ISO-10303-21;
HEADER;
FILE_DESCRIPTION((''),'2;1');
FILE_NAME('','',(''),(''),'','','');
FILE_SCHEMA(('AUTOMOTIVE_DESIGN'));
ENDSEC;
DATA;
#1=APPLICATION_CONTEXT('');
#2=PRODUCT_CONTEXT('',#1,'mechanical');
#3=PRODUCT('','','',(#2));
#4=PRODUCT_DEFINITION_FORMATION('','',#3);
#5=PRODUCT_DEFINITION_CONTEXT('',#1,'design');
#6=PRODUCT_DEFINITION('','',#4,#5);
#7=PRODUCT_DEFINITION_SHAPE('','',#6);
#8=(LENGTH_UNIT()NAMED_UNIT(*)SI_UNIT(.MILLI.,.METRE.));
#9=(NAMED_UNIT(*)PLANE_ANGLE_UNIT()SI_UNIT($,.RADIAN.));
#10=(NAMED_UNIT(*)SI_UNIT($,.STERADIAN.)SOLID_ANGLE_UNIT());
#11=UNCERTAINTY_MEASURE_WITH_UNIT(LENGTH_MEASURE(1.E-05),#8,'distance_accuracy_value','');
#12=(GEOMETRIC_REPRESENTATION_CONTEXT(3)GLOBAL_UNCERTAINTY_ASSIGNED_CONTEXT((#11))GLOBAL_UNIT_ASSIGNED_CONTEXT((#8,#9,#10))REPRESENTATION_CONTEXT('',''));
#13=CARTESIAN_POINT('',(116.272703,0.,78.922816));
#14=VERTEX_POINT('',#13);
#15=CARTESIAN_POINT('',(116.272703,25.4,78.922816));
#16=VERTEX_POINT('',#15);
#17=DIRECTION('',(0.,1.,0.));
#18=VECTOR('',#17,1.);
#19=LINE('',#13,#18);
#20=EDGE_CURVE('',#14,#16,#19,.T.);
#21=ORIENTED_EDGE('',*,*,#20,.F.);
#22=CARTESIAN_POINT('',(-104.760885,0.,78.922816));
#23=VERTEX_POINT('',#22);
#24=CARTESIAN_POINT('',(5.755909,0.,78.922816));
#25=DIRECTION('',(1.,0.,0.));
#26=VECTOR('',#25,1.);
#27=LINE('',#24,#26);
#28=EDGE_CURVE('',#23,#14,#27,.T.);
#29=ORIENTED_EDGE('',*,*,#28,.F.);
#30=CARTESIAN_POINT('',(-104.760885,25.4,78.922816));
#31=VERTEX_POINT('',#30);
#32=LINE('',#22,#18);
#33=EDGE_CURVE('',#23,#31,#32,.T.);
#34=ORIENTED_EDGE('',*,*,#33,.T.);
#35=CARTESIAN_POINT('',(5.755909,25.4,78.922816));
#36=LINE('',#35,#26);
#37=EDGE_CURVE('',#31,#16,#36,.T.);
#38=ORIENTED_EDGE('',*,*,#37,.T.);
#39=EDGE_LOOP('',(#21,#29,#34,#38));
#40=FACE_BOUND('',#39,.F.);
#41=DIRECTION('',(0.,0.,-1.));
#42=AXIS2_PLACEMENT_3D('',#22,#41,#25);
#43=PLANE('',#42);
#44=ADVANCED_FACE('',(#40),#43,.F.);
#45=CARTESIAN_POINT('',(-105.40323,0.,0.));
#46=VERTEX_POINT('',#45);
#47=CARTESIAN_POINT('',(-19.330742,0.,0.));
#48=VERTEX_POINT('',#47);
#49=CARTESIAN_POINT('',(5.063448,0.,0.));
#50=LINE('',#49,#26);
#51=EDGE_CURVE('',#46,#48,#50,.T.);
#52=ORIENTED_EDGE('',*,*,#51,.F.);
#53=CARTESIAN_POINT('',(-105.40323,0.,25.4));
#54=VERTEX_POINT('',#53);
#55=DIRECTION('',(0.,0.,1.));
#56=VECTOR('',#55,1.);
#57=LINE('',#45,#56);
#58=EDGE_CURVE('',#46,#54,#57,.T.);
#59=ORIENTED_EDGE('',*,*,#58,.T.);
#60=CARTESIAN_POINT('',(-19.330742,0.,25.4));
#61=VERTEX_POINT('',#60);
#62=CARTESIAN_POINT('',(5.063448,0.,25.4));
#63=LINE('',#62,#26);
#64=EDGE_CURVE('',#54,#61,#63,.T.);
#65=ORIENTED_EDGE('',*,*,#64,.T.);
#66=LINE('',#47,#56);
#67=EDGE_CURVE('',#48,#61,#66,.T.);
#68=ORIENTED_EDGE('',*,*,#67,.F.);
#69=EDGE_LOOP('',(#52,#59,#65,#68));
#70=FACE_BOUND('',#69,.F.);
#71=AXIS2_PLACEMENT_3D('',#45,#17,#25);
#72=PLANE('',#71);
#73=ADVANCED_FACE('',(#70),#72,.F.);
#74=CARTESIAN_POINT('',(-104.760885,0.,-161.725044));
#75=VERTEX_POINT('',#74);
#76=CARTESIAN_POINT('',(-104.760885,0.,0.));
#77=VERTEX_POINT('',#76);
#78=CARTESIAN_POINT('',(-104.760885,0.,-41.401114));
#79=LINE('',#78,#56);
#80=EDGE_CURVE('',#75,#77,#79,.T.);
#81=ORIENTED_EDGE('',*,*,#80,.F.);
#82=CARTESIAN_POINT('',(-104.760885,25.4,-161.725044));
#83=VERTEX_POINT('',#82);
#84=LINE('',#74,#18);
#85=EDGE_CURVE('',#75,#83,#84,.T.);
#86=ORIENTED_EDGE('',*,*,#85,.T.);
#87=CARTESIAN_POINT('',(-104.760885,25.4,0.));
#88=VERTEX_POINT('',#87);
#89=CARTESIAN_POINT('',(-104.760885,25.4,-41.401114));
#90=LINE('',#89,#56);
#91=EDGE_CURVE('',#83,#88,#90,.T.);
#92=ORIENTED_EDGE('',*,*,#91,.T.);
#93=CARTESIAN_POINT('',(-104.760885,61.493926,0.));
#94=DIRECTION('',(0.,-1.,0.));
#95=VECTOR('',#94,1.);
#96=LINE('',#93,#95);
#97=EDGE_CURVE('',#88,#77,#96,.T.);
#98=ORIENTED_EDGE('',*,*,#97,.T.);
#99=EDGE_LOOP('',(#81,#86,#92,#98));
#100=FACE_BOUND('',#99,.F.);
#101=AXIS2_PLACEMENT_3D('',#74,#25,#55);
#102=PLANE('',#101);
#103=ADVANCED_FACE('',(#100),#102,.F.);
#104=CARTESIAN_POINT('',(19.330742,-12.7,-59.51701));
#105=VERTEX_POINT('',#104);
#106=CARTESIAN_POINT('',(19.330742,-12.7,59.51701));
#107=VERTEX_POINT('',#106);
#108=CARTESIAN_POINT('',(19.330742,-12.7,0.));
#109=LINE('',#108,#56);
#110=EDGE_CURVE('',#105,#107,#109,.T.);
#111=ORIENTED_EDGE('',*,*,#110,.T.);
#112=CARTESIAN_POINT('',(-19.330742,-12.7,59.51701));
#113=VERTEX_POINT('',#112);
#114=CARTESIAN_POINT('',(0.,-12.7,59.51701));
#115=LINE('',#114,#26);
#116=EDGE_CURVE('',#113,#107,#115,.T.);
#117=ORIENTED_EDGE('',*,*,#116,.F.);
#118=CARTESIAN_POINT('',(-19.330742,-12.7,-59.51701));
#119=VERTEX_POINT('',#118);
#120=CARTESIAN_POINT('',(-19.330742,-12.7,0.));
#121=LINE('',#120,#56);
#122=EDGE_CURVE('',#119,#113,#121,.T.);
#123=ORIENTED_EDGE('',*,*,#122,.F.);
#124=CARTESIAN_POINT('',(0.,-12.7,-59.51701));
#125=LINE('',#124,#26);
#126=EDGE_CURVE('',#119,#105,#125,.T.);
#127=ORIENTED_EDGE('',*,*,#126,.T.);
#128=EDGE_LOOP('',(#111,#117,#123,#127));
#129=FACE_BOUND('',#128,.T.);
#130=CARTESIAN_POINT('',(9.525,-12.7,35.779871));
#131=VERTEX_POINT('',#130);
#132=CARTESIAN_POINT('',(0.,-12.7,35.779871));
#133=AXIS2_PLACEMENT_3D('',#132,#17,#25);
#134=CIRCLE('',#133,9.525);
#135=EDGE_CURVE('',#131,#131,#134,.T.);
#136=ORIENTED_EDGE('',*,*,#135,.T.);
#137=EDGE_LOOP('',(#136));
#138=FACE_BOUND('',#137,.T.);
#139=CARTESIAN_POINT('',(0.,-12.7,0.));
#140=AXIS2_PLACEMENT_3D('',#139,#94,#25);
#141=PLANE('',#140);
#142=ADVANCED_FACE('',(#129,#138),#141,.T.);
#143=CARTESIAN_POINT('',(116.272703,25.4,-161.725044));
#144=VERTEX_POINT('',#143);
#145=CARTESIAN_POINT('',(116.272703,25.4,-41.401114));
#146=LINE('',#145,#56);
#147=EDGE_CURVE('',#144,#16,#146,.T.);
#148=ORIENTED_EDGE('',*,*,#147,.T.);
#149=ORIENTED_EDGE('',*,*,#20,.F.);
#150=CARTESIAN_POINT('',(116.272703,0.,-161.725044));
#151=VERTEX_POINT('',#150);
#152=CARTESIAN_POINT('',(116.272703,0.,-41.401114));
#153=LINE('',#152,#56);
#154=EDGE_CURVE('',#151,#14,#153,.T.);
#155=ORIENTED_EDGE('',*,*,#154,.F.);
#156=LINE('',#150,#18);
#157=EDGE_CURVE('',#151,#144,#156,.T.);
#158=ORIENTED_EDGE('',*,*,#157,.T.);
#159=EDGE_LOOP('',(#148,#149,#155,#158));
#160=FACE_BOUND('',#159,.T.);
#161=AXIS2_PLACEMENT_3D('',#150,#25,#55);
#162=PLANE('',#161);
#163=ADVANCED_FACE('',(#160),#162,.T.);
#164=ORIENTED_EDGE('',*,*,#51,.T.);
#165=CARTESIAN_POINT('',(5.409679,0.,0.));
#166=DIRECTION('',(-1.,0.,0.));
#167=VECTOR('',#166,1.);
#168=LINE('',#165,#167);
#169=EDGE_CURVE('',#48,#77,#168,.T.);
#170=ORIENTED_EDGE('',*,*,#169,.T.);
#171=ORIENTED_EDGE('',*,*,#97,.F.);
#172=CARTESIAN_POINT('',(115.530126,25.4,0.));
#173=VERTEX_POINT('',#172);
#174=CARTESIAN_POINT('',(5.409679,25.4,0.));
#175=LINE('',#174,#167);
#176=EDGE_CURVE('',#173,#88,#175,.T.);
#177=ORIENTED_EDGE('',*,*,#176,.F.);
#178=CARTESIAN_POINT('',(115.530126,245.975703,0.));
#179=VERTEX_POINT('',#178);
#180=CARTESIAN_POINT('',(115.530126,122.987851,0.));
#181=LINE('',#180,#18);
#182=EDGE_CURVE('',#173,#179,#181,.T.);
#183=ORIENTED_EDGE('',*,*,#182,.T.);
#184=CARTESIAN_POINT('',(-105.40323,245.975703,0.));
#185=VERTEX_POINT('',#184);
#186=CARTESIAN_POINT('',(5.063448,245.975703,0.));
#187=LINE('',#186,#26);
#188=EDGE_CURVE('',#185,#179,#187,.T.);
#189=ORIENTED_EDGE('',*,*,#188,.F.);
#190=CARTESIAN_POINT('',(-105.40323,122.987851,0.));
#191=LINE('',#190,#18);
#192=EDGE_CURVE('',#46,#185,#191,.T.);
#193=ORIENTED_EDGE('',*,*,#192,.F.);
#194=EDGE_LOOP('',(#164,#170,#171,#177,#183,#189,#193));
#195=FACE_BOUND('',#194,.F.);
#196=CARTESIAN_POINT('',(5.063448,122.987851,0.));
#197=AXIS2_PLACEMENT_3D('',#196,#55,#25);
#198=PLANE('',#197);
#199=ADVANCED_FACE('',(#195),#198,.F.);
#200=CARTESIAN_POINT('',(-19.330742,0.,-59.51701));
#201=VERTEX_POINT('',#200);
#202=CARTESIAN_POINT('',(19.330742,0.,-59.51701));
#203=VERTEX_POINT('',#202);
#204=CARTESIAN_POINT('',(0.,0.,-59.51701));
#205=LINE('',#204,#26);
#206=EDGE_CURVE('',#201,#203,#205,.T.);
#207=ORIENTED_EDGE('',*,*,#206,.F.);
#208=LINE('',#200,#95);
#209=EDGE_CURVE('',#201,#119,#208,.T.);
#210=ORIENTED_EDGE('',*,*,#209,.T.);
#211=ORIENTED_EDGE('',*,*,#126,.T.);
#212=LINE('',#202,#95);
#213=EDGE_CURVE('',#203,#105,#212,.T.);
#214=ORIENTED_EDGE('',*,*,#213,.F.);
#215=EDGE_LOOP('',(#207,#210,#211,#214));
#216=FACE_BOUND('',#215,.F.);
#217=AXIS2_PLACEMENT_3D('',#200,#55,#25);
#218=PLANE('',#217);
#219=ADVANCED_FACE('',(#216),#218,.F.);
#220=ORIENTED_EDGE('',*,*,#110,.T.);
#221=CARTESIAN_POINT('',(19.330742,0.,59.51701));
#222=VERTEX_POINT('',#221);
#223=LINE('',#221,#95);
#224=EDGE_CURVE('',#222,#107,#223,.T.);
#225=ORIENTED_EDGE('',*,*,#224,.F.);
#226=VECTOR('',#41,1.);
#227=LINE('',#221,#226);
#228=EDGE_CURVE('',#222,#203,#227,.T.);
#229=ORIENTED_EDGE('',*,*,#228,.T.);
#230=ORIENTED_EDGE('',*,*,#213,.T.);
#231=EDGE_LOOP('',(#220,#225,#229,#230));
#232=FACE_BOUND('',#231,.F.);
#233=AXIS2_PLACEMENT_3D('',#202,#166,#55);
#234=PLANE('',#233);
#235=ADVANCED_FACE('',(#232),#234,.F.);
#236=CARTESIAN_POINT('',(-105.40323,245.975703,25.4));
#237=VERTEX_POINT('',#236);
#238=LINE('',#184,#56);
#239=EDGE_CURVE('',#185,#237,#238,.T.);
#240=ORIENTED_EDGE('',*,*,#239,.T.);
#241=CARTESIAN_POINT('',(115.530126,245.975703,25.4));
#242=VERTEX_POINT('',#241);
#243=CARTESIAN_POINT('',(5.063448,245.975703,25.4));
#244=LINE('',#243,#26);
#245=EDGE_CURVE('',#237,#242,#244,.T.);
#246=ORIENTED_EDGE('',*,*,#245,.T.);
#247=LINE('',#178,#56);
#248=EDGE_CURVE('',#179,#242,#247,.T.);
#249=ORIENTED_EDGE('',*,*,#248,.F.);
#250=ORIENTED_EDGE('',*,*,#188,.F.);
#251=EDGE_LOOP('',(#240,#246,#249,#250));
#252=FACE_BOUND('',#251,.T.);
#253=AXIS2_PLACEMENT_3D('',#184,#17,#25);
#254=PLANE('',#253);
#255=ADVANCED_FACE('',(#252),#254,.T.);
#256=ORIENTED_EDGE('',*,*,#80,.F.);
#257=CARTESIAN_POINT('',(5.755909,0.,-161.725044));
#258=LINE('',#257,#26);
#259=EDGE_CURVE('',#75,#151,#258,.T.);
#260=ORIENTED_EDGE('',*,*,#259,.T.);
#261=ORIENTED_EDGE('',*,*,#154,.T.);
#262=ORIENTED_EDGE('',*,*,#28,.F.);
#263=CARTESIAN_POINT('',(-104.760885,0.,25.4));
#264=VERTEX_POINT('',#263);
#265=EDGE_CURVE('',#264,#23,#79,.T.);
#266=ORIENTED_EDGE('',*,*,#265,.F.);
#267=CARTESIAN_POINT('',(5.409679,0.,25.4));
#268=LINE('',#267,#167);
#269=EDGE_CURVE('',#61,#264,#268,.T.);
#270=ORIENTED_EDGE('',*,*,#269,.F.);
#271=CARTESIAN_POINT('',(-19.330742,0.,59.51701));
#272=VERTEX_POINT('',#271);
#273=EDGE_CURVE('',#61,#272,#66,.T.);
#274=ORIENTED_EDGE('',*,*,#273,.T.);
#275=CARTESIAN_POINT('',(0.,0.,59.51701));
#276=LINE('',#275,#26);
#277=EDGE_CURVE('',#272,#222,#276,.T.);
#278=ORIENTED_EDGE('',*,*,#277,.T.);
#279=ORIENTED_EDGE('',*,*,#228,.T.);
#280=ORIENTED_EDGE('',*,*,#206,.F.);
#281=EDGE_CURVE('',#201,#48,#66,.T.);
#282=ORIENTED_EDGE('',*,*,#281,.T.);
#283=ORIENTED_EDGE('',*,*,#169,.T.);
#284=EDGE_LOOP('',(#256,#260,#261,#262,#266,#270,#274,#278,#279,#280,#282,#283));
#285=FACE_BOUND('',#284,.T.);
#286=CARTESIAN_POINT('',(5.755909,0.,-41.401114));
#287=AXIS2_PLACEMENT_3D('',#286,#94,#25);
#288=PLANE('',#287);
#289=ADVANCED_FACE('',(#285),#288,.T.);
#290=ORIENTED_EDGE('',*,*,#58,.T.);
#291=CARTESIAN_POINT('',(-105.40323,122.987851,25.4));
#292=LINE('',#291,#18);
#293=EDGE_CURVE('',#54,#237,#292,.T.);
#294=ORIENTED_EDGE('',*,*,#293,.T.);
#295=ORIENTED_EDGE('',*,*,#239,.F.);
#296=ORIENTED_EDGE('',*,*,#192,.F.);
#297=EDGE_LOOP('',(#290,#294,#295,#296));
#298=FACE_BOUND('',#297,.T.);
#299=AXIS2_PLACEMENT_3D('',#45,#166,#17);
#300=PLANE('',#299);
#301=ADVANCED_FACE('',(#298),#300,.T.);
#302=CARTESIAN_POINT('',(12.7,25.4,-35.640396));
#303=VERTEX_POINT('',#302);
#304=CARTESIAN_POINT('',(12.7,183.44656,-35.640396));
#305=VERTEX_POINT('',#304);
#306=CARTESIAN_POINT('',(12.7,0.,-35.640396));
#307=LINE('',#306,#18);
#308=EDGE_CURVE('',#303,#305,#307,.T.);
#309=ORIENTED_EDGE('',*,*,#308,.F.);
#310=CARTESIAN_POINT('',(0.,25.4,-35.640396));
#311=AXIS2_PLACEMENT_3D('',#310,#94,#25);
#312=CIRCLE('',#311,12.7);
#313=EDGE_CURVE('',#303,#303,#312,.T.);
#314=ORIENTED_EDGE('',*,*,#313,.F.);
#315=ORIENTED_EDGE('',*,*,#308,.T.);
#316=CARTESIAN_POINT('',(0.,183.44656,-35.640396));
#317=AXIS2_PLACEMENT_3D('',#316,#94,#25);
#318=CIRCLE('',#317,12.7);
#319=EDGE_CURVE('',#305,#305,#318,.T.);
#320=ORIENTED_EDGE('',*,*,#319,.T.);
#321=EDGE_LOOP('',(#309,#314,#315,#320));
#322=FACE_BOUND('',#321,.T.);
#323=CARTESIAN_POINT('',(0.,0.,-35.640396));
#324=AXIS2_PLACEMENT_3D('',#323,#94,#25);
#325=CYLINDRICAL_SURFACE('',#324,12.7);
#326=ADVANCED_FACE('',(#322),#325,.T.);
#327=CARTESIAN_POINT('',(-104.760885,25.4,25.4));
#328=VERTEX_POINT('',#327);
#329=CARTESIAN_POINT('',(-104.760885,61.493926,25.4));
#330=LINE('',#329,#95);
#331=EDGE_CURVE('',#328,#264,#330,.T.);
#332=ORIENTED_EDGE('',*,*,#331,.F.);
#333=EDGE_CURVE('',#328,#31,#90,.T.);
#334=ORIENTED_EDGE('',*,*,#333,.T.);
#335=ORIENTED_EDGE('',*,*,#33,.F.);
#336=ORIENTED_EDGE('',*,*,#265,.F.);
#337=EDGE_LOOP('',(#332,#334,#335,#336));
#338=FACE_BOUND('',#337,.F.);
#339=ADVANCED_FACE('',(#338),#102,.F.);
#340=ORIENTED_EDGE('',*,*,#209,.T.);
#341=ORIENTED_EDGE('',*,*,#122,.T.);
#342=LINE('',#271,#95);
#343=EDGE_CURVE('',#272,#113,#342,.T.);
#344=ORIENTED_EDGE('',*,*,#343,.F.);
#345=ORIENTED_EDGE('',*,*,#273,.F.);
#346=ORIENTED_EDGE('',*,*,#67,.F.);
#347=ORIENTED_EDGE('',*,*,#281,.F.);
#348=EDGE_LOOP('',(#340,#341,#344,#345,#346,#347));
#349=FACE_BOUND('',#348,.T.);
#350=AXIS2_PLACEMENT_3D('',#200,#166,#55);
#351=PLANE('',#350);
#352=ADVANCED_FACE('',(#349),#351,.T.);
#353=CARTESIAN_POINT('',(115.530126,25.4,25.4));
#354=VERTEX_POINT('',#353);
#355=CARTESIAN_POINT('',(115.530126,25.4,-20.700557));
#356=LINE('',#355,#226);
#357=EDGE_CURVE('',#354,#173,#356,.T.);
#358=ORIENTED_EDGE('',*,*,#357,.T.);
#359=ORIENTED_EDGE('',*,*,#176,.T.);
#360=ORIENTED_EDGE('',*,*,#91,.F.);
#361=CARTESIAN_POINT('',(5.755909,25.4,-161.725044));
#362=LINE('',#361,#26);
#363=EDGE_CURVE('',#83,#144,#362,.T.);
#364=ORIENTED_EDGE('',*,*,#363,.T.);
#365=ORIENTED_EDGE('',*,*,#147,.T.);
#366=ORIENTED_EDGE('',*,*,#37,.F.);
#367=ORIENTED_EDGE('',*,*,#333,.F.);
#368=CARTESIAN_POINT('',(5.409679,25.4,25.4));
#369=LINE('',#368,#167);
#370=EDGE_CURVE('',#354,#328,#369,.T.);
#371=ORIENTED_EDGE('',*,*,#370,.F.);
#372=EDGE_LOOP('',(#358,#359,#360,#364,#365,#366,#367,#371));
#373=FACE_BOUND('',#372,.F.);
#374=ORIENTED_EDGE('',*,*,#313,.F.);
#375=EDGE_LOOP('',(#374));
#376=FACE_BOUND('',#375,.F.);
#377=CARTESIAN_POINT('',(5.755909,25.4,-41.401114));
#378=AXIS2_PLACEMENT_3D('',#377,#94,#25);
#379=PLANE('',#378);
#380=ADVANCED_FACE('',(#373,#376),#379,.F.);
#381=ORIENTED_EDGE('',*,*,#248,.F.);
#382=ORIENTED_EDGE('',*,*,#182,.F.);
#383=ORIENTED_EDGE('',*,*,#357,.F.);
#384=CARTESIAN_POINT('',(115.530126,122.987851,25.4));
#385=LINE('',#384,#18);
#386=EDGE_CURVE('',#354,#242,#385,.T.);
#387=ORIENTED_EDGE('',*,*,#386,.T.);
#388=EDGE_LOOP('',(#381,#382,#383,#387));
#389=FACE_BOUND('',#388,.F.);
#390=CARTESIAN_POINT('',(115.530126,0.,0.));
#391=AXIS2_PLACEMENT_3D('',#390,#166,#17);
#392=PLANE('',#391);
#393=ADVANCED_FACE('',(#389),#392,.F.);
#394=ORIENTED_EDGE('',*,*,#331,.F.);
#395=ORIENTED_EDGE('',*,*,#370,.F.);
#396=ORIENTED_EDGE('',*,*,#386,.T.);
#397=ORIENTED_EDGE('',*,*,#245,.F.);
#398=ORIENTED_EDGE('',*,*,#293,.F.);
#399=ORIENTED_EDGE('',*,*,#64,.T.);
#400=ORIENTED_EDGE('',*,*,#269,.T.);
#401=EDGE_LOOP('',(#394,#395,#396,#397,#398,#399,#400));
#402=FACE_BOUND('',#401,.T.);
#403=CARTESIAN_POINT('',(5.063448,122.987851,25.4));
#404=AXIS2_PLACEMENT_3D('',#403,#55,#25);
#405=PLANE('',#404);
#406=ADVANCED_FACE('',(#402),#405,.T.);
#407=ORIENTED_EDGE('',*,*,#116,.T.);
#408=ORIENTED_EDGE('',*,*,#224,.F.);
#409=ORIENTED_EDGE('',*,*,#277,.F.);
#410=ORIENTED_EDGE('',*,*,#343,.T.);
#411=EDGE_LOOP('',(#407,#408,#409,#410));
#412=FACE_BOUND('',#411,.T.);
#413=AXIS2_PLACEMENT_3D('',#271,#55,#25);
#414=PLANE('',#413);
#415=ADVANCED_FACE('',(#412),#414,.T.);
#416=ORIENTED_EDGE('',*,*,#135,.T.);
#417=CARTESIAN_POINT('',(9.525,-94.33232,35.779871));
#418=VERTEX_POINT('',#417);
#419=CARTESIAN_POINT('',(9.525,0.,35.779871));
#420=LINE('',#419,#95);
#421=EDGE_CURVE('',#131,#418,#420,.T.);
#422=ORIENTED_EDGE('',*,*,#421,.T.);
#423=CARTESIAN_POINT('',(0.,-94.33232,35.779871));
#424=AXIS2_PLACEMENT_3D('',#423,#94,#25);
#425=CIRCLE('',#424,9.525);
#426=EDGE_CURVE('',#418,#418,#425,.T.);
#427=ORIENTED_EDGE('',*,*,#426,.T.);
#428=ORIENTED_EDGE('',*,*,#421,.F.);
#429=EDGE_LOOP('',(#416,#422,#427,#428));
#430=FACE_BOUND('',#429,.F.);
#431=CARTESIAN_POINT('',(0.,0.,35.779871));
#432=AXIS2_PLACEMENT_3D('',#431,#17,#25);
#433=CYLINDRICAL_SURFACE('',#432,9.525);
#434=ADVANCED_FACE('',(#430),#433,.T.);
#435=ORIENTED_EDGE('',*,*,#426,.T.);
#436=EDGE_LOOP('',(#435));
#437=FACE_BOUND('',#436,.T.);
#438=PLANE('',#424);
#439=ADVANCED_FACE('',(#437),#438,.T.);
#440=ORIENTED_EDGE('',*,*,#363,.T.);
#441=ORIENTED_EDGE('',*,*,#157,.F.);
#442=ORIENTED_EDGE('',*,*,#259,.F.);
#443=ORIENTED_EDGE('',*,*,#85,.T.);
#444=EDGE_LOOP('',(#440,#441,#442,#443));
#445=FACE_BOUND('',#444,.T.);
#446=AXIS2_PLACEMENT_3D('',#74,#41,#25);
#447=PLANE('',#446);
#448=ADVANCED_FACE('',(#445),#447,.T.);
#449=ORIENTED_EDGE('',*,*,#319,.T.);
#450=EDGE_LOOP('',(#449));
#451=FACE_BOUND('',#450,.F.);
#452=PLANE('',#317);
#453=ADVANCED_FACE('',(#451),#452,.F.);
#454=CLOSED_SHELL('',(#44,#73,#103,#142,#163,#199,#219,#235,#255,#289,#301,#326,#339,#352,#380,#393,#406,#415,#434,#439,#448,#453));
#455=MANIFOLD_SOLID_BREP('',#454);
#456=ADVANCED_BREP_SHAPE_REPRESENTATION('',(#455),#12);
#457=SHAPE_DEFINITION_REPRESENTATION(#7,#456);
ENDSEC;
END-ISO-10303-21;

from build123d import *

# Parameters (mm, degrees)
F0_W          = 38.661484
F0_H          = 119.03402
F1_DEPTH      = 12.7
F3_R          = 12.7
F4_DEPTH      = 183.44656
F4_DEPTH_BACK = 8.28374
F2_R          = 9.525
F5_DEPTH      = 94.33232
F6_W          = 221.033588
F6_H          = 240.64786
F7_DEPTH      = 25.4
F8_W          = 220.933356
F8_H          = 245.975703
F9_DEPTH      = 25.4


with BuildPart() as f1:
    # F0 (on Front) → F1 (new body)
    with BuildSketch(Plane.XZ):
        Rectangle(F0_W, F0_H)
    extrude(amount=F1_DEPTH)

    # F3 (on Front) → F4 (join, two sides)
    with BuildSketch(Plane.XZ) as f4_sk:
        with Locations((0, -35.640396)):
            Circle(F3_R)
    extrude(amount=-F4_DEPTH)
    extrude(f4_sk.sketch, amount=-F4_DEPTH_BACK)

    # F2 (on Front) → F5 (join)
    with BuildSketch(Plane.XZ):
        with Locations((0, 35.779871)):
            Circle(F2_R)
    extrude(amount=F5_DEPTH)

    # F6 (on Front) → F7 (join)
    with BuildSketch(Plane.XZ):
        with Locations((5.755909, -41.401114)):
            Rectangle(F6_W, F6_H)
    extrude(amount=-F7_DEPTH)

    # F8 (on Top) → F9 (join)
    with BuildSketch(Plane.XY):
        with Locations((5.063448, 122.987851)):
            Rectangle(F8_W, F8_H)
    extrude(amount=F9_DEPTH)


solid = f1.part
